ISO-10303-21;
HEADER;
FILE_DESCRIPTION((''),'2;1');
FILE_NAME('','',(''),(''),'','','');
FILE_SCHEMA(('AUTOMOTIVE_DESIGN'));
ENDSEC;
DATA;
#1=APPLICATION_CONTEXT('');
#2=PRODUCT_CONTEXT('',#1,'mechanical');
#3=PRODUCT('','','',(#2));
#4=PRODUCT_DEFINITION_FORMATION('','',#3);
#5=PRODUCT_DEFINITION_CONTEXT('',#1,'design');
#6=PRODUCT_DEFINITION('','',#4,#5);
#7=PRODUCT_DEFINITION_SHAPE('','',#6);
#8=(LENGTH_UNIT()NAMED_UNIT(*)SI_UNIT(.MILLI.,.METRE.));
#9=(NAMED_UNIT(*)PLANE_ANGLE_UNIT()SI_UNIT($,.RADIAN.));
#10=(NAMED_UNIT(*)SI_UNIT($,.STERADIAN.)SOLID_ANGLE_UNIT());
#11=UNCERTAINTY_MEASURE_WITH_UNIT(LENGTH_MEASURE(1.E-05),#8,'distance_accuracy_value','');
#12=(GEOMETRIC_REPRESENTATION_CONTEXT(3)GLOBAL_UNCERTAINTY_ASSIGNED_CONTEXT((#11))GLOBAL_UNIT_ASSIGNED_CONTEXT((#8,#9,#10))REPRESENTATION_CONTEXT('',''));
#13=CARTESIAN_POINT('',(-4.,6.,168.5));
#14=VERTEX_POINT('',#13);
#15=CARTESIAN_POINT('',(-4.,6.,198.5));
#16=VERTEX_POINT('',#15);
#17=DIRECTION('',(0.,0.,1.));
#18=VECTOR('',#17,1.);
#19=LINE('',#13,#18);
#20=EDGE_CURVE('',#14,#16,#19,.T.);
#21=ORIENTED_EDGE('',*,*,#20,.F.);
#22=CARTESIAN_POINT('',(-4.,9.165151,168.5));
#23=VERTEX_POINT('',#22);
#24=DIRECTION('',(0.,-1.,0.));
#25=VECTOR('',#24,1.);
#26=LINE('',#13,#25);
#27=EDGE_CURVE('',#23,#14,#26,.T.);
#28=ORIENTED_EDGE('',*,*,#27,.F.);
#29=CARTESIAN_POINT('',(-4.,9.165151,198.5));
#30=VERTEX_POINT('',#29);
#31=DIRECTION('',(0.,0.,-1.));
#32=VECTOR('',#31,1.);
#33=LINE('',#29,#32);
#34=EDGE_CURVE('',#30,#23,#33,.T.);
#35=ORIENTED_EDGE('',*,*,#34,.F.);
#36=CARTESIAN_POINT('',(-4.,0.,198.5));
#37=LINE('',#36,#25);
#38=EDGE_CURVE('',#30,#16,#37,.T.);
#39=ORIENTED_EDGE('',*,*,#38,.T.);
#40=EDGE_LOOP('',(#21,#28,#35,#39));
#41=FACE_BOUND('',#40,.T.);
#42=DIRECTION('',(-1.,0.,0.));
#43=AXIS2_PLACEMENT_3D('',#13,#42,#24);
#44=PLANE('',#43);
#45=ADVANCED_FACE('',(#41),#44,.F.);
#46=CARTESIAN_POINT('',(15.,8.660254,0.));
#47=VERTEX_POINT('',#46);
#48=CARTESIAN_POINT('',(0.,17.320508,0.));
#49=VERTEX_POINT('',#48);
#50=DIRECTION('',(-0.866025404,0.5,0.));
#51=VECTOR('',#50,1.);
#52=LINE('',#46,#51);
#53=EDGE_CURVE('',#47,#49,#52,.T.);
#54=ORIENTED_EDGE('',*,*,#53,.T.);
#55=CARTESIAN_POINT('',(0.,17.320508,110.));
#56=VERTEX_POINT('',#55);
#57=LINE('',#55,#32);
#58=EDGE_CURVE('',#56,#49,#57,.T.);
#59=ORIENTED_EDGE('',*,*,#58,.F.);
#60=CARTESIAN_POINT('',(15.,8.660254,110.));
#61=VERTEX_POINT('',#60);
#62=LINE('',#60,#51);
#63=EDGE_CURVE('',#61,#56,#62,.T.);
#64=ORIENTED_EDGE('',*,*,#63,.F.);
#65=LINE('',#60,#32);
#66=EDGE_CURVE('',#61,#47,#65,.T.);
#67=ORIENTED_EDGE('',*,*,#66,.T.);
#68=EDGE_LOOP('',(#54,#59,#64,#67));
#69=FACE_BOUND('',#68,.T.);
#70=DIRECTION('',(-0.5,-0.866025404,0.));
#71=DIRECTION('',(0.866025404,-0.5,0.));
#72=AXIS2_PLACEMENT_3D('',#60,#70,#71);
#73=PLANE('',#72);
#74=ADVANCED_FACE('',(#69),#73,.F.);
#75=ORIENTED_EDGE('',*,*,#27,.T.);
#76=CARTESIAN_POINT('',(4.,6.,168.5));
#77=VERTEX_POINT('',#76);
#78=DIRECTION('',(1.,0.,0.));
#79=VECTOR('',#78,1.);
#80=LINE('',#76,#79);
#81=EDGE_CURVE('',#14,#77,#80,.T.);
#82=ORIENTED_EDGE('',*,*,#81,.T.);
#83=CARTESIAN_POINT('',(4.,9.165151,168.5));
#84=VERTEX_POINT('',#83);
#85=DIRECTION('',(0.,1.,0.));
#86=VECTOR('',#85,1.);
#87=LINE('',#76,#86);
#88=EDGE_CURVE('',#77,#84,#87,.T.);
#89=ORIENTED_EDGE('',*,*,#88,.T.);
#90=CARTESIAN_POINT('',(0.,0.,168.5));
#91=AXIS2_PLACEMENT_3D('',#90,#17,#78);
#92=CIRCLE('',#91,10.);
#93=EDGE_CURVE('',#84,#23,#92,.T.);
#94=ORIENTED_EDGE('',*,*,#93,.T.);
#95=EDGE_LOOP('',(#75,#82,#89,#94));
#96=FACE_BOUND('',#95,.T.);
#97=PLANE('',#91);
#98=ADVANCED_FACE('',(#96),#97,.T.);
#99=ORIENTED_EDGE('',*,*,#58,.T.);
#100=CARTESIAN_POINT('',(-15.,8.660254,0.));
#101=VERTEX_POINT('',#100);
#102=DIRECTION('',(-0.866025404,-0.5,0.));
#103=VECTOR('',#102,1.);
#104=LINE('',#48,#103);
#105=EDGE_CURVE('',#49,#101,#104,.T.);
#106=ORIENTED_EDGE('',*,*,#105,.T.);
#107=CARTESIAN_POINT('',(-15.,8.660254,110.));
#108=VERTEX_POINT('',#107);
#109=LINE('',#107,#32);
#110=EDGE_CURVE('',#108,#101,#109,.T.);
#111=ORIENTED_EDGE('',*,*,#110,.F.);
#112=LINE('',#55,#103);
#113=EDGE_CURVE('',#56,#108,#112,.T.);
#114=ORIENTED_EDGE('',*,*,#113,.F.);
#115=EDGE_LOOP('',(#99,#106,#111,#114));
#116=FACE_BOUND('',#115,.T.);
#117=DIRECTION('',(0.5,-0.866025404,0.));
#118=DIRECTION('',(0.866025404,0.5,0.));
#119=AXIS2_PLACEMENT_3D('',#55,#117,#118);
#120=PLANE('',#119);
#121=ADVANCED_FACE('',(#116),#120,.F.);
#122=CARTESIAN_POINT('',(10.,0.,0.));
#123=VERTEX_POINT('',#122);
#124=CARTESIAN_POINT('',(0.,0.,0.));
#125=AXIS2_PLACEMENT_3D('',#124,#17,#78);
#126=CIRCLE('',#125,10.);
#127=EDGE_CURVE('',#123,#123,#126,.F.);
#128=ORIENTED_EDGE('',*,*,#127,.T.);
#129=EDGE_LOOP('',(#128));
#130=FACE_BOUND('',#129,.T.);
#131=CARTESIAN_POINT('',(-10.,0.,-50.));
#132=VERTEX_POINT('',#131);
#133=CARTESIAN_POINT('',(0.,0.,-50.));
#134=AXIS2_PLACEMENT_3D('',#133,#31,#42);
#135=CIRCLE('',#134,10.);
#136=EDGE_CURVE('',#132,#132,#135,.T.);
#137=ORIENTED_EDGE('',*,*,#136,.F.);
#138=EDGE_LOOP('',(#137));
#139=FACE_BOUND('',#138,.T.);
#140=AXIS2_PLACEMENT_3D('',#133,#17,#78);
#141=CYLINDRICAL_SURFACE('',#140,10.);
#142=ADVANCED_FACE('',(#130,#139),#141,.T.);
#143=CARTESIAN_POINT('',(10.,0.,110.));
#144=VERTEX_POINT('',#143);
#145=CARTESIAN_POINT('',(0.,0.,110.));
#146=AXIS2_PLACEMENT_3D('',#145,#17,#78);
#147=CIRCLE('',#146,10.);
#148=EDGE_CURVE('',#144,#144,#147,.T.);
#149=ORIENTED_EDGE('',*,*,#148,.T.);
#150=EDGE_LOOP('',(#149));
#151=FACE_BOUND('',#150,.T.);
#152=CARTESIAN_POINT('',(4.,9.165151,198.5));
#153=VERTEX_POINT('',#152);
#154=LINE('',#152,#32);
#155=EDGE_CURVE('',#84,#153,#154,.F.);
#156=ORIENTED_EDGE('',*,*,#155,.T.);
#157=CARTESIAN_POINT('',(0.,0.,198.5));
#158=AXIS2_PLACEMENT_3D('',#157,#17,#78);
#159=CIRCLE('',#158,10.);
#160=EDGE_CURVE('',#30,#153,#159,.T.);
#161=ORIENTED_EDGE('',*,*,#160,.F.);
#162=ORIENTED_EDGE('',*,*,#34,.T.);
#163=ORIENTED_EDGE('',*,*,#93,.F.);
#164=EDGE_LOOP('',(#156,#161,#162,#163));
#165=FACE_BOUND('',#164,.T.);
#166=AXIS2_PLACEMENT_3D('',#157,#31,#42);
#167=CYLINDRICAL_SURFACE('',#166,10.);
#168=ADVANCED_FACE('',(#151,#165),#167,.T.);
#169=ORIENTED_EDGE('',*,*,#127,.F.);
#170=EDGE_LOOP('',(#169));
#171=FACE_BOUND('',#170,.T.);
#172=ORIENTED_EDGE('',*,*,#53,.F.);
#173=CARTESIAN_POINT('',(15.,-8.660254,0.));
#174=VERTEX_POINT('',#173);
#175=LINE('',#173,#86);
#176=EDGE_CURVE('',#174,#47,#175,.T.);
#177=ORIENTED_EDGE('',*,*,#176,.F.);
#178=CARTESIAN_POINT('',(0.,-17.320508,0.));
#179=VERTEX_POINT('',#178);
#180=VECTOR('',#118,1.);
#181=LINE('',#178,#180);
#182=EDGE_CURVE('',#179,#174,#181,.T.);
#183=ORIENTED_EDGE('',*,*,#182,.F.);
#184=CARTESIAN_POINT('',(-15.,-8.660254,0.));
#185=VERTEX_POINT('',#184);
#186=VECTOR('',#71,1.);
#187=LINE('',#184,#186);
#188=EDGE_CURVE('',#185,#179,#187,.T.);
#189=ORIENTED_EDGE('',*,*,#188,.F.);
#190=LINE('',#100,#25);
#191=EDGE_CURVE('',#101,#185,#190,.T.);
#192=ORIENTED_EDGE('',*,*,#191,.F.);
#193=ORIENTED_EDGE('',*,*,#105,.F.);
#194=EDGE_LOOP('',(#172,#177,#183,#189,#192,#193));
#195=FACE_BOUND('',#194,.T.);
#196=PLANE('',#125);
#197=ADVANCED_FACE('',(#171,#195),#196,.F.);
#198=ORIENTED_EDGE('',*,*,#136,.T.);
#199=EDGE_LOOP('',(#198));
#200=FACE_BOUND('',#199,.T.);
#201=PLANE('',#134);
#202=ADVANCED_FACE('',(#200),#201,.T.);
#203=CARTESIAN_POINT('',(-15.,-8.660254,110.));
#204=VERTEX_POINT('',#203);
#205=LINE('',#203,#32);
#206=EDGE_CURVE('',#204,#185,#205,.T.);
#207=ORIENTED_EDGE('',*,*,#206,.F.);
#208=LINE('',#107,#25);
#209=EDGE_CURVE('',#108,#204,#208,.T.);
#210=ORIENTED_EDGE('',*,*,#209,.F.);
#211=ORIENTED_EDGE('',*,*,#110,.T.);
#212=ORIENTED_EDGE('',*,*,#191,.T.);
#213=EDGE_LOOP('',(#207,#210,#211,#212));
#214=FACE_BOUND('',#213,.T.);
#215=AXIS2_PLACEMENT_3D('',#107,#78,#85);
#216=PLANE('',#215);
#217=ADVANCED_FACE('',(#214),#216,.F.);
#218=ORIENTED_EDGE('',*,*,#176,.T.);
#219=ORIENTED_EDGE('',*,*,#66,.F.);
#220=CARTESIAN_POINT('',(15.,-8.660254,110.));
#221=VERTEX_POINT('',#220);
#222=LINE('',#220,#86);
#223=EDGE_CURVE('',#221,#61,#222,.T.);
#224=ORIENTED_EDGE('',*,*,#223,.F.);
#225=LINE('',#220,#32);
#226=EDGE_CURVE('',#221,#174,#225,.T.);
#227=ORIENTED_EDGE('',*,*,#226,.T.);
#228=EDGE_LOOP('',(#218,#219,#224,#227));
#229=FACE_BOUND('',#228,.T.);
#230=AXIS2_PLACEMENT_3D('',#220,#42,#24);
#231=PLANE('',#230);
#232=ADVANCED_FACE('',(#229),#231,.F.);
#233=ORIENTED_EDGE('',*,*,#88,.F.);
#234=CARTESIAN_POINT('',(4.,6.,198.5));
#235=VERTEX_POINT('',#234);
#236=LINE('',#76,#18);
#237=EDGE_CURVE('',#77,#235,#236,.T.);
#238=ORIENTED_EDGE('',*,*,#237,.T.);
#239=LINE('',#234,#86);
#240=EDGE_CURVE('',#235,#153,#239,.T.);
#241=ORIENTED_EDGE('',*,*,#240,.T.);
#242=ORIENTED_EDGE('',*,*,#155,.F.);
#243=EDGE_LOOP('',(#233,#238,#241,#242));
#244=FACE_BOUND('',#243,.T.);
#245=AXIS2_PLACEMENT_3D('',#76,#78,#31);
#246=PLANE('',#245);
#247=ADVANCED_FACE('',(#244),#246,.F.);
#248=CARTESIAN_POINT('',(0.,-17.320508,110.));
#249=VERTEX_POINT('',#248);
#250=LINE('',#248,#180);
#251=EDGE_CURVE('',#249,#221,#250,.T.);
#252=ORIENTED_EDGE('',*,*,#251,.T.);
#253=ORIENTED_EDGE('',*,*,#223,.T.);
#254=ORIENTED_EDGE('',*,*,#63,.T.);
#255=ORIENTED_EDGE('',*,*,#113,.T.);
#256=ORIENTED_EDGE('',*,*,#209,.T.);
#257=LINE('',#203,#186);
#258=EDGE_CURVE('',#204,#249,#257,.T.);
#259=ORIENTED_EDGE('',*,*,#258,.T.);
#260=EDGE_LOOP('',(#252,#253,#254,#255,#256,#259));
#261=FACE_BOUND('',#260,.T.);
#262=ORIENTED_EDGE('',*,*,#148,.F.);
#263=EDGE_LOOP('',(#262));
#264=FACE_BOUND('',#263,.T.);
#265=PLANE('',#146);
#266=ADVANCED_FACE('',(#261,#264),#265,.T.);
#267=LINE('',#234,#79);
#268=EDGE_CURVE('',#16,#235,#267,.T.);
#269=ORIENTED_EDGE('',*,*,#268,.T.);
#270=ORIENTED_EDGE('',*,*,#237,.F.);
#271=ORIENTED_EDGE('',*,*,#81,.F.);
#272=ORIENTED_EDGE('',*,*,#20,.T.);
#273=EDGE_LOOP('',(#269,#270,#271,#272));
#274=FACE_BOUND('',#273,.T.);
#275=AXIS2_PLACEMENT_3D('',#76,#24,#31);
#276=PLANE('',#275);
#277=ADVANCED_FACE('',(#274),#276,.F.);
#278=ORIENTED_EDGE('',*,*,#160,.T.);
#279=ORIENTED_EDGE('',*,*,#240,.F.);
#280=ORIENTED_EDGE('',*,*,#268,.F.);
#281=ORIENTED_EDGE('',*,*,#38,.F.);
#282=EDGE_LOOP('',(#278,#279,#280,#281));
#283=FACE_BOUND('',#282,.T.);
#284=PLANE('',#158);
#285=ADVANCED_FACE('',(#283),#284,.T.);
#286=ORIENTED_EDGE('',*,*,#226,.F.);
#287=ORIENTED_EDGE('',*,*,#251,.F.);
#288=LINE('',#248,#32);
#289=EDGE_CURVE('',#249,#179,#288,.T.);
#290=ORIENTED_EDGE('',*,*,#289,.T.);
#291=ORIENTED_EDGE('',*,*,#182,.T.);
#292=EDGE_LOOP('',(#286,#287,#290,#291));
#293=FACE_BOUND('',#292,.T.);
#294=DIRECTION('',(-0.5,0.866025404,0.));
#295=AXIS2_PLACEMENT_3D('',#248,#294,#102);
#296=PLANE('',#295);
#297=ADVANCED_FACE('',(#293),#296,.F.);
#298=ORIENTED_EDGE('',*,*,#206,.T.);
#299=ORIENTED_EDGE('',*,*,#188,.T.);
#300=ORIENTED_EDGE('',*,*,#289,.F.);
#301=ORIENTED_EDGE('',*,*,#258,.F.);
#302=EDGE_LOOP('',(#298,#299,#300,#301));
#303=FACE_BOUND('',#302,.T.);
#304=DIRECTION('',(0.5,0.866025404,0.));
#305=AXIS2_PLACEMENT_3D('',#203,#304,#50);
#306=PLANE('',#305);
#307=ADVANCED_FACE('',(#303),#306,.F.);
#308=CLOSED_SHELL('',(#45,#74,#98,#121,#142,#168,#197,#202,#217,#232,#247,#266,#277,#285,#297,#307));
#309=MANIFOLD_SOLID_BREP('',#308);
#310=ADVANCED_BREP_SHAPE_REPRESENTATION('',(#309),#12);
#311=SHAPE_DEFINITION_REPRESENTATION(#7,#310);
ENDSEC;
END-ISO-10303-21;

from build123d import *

# Parameters (mm, degrees)
RESSALTO_EXTRUS_O1_DEPTH = 110
ESBO_O2_R                = 10
RESSALTO_EXTRUS_O2_DEPTH = 88.5
ESBO_O3_R                = 10
RESSALTO_EXTRUS_O3_DEPTH = 50
ESBO_O5_W                = 8
ESBO_O5_H                = 8
CORTE_EXTRUS_O1_DEPTH    = 30


with BuildPart() as part:
    # Esboço1 → Ressalto-extrusão1 (new body)
    with BuildSketch(Plane.XY):
        Polygon((-15, 8.660254038), (-15, -8.660254038), (0, -17.320508076), (15, -8.660254038), (15, 8.660254038), (0, 17.320508076), align=None)
    extrude(amount=RESSALTO_EXTRUS_O1_DEPTH)

    # Esboço2 → Ressalto-extrusão2 (add)
    with BuildSketch(Plane.XY.offset(110)):
        Circle(ESBO_O2_R)
    extrude(amount=RESSALTO_EXTRUS_O2_DEPTH)

    # Esboço3 → Ressalto-extrusão3 (add)
    with BuildSketch(Plane(origin=(0, 0, 0), x_dir=(-1, 0, 0), z_dir=(0, 0, -1))):
        Circle(ESBO_O3_R)
    extrude(amount=RESSALTO_EXTRUS_O3_DEPTH)

    # Esboço5 → Corte-extrusão1 (cut)
    with BuildSketch(Plane.XY.offset(198.5)):
        with Locations((0, 10)):
            Rectangle(ESBO_O5_W, ESBO_O5_H)
    extrude(amount=-CORTE_EXTRUS_O1_DEPTH, mode=Mode.SUBTRACT)


solid = part.part
